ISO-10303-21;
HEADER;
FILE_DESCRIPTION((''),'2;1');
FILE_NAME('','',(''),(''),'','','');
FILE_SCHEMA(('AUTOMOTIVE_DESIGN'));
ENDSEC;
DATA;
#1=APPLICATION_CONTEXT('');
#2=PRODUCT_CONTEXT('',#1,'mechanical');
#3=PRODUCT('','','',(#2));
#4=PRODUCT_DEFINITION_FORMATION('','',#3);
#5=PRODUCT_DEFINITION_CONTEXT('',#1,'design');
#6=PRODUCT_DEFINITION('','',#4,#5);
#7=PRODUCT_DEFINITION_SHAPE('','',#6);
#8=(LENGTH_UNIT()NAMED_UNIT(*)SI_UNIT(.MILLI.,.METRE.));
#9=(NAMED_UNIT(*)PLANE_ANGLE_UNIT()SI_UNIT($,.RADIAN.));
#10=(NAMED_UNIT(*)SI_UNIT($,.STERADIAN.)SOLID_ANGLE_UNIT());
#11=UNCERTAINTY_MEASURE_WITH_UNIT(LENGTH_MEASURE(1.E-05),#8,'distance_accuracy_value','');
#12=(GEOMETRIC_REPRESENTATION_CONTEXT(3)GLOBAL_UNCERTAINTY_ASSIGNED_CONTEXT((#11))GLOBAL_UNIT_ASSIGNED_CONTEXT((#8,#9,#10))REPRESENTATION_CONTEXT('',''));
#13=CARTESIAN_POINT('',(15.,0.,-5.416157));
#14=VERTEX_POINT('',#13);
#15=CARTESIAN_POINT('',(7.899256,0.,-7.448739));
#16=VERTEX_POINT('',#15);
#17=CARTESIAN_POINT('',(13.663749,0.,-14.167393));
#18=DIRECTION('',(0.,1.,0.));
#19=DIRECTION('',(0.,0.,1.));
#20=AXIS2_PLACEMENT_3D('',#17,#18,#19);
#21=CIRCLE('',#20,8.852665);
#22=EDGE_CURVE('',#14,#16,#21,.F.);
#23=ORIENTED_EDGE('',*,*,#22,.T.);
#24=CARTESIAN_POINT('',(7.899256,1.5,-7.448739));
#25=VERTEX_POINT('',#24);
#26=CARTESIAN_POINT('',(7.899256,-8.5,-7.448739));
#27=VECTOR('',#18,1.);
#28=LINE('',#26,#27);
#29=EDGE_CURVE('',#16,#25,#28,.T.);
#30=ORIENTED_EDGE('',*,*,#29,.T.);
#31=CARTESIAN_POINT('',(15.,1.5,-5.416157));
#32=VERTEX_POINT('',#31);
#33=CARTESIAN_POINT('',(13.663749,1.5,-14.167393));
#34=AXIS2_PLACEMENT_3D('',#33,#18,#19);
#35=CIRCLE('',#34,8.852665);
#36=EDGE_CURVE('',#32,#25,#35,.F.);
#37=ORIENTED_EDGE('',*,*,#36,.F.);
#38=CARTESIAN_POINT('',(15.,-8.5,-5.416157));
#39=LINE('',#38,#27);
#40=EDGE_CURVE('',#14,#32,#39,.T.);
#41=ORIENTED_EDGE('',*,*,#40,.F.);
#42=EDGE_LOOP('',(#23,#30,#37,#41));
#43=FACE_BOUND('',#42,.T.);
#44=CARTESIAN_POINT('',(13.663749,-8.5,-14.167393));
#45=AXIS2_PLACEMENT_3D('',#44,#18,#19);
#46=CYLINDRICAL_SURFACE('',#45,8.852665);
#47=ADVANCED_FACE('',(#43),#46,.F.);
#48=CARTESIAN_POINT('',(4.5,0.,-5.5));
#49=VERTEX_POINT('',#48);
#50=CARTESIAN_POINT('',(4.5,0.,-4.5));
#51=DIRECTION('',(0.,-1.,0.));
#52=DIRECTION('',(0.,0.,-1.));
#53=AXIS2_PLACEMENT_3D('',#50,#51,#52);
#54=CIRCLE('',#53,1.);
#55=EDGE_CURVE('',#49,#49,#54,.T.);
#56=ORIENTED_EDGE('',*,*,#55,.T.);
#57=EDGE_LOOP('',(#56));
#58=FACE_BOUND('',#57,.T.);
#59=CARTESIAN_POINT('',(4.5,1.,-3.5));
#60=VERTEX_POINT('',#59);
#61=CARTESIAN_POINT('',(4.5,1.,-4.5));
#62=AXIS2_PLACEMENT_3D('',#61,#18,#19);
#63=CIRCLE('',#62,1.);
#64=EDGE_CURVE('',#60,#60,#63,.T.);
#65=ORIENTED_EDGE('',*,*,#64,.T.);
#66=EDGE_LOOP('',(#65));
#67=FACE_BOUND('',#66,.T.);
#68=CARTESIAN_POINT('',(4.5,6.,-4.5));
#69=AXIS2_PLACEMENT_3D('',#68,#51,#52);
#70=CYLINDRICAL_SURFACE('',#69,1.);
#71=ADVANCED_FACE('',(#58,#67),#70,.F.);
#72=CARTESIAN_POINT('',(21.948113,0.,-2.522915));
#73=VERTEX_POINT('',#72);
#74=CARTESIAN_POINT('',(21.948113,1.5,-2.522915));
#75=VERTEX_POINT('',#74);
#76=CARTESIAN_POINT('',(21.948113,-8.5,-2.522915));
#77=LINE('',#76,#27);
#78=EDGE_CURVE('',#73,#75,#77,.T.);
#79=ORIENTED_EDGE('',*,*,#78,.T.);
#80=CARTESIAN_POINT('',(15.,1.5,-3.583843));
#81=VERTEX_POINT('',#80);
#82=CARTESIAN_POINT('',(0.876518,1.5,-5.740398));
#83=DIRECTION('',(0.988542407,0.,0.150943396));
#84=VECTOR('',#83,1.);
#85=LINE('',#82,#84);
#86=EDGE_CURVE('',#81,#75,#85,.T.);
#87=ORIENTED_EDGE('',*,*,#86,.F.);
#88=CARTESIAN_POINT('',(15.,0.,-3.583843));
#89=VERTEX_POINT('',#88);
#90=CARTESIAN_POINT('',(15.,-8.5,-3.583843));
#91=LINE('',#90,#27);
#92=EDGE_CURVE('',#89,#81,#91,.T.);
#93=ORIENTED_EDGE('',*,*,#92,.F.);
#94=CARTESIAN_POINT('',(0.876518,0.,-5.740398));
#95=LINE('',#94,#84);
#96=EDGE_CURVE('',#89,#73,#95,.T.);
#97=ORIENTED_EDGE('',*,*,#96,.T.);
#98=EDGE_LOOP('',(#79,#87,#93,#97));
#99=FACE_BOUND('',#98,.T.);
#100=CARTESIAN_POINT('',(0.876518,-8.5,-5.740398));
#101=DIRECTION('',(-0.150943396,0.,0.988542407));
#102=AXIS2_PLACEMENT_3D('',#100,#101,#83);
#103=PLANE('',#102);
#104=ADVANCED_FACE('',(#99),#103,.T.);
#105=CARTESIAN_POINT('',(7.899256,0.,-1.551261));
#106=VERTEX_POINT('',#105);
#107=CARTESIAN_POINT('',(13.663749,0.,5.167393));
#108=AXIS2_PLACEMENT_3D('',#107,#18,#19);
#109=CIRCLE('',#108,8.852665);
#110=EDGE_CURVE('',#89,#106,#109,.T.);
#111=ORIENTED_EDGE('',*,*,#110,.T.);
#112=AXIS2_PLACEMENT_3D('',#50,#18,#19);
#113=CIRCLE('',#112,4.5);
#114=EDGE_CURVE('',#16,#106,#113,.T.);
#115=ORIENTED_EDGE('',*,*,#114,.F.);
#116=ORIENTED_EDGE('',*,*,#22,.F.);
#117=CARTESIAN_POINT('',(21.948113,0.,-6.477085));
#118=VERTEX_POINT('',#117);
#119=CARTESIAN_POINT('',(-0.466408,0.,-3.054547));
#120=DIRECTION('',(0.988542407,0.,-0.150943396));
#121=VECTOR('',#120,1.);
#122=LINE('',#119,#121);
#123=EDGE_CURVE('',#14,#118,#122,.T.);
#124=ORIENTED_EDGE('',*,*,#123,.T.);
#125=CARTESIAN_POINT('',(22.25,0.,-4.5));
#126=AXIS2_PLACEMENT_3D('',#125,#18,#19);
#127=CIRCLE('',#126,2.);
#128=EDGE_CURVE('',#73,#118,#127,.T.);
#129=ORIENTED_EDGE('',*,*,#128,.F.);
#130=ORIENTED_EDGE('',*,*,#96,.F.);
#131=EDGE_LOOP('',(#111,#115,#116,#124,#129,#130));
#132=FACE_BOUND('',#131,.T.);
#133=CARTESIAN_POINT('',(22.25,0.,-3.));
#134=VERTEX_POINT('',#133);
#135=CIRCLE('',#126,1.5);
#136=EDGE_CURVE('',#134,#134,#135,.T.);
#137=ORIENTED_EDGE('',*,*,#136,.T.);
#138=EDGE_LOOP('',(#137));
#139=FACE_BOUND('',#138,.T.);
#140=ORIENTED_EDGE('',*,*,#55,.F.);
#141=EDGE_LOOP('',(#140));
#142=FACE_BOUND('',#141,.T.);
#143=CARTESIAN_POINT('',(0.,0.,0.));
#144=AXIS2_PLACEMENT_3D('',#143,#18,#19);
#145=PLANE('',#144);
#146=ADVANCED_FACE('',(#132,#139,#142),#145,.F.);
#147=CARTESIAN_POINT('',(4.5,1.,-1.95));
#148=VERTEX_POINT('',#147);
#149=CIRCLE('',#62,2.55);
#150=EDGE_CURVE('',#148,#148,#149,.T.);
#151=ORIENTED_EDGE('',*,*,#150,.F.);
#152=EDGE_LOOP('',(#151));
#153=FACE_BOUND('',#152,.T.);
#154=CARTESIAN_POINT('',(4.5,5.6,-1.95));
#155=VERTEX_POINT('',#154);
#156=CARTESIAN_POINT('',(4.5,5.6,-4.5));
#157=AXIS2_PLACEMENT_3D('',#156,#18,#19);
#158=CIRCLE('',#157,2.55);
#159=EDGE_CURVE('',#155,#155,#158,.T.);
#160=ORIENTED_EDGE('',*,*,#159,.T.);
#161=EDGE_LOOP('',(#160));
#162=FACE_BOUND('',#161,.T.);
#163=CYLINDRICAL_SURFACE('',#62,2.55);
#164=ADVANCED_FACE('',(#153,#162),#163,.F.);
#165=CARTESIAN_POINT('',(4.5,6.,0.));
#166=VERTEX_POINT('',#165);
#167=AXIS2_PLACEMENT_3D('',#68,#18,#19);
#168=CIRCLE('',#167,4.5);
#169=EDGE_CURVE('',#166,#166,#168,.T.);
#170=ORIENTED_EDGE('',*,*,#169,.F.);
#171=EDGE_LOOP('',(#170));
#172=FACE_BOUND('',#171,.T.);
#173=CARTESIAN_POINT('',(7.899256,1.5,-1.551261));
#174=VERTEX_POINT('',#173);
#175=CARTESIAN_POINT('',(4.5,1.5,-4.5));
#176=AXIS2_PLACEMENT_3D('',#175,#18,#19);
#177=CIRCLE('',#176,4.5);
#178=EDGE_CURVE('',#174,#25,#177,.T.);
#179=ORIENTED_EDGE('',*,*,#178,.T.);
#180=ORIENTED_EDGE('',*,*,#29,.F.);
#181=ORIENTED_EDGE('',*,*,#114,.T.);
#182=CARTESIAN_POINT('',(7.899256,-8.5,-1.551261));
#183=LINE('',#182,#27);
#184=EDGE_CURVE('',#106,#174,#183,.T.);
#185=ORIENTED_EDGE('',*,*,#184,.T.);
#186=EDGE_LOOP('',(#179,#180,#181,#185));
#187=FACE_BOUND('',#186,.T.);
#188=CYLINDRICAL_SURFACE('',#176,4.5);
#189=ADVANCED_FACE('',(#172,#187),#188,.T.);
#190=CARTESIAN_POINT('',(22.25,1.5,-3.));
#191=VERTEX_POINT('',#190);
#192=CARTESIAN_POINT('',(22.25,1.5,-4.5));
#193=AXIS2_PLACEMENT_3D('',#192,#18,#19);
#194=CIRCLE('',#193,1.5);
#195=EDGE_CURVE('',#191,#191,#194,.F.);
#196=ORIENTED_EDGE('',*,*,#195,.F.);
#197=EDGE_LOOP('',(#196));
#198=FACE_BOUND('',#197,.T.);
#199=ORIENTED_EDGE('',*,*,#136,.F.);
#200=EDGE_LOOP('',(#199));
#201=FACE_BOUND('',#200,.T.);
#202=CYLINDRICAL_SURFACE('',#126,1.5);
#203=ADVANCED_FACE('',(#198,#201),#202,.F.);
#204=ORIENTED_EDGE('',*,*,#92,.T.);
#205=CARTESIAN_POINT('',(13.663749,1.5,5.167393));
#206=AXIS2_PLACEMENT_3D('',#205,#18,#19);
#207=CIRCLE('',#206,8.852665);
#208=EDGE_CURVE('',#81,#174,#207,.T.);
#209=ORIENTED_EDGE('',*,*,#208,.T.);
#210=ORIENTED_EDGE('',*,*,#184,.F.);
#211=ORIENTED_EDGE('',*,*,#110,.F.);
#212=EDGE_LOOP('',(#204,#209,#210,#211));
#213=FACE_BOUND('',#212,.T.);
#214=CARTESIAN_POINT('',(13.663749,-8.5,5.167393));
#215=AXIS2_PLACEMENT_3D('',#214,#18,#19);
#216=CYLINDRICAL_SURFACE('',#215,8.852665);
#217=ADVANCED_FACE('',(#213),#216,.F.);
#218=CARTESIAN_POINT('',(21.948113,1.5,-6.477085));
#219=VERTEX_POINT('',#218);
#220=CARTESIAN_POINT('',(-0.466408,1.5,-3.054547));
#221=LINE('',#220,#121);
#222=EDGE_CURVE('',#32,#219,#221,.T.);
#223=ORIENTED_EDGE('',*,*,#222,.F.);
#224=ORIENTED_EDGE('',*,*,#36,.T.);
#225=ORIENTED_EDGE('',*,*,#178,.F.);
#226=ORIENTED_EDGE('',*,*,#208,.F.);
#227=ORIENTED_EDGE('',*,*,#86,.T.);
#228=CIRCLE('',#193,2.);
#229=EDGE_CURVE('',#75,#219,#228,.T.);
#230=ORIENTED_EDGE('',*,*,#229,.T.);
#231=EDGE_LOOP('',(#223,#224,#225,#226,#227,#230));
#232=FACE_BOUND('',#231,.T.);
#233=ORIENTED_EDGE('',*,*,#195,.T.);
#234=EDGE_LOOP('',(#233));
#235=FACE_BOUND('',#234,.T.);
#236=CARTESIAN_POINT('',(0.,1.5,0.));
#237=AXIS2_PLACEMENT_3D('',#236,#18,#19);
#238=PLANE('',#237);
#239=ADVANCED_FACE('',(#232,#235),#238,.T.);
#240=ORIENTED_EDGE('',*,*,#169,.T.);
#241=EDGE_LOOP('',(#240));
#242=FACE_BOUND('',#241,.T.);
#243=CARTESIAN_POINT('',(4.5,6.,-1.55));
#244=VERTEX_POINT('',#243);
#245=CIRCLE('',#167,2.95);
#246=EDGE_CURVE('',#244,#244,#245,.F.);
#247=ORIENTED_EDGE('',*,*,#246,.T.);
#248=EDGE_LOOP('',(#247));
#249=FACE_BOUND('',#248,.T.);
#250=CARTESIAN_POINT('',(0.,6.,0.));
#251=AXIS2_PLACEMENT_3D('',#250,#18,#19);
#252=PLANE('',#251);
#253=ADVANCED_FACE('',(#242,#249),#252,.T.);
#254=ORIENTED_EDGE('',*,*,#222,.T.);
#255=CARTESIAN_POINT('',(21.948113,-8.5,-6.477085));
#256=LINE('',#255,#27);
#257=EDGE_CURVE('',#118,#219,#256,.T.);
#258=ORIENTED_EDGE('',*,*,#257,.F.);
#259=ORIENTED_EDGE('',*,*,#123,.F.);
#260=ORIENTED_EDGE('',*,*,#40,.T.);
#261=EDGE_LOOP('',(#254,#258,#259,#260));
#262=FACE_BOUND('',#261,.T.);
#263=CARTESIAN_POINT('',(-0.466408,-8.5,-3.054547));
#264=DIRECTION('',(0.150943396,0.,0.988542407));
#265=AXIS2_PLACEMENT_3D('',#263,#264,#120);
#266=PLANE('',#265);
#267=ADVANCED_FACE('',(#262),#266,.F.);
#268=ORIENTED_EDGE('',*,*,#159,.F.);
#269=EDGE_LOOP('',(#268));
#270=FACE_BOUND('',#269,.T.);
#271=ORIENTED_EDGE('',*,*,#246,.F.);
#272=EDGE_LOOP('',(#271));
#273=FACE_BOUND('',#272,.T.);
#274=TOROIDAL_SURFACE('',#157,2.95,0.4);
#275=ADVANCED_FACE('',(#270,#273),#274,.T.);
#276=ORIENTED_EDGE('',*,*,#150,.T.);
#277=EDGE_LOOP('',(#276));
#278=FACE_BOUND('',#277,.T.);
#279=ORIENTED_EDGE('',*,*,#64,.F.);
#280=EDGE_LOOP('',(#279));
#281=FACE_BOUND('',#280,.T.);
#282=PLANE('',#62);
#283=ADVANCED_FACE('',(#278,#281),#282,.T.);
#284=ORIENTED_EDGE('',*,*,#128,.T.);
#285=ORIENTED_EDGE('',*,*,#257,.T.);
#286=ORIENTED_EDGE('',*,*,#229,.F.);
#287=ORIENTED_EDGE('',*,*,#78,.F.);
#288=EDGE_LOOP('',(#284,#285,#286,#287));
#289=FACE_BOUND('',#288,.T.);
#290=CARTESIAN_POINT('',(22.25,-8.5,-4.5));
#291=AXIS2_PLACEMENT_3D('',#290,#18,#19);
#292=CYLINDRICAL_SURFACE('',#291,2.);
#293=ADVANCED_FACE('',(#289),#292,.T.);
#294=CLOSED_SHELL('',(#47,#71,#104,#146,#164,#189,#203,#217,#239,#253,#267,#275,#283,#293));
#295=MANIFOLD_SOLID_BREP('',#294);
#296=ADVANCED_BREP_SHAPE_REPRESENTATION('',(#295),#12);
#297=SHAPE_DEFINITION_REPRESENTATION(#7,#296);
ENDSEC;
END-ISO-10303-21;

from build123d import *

# Parameters (mm, degrees)
SKETCH2_W               = 25
SKETCH2_H               = 9
BOSS_EXTRUDE3_DEPTH     = 6
SKETCH3_R               = 2.55
CUT_EXTRUDE1_DEPTH      = 5
CUT_EXTRUDE2_DEPTH      = 28.239676944
CUT_EXTRUDE2_DEPTH_BACK = 28.239676944
SKETCH4_R               = 1.5
SKETCH5_R               = 1.5
CUT_EXTRUDE3_DEPTH      = 4.5
CUT_EXTRUDE4_DEPTH      = 28.239676944
FILLET2_R               = 0.4
SKETCH8_R               = 1
CUT_EXTRUDE5_DEPTH      = 28.239676944
CUT_EXTRUDE7_DEPTH      = 10


with BuildPart() as part:
    # Sketch2 → Boss-Extrude3 (new body)
    with BuildSketch(Plane(origin=(0, 0, 0), x_dir=(1, 0, 0), z_dir=(0, 1, 0))):
        with Locations((12.5, 4.5)):
            Rectangle(SKETCH2_W, SKETCH2_H)
    extrude(amount=BOSS_EXTRUDE3_DEPTH)

    # Sketch3 → Cut-Extrude1 (cut)
    with BuildSketch(Plane(origin=(0, 6, 0), x_dir=(1, 0, 0), z_dir=(0, 1, 0))):
        with Locations(Location((4.5, 4.5, 0), (0, 0, 270))):
            Circle(SKETCH3_R)
    extrude(amount=-CUT_EXTRUDE1_DEPTH, mode=Mode.SUBTRACT)

    # Sketch4 → Cut-Extrude2 (cut, two sides: drawn at the far end of the back side and taken through both)
    with BuildSketch(Plane(origin=(0, 6, 0), x_dir=(1, 0, 0), z_dir=(0, 1, 0)).offset(-CUT_EXTRUDE2_DEPTH_BACK)):
        with Locations(Location((22.25, 4.5, 0), (0, 0, 270))):
            Circle(SKETCH4_R)
    extrude(amount=CUT_EXTRUDE2_DEPTH + CUT_EXTRUDE2_DEPTH_BACK, mode=Mode.SUBTRACT)

    # Sketch5 → Cut-Extrude3 (cut)
    with BuildSketch(Plane(origin=(0, 6, 0), x_dir=(1, 0, 0), z_dir=(0, 1, 0))):
        with BuildLine():
            Line((25, 9), (4.5, 9))
            ThreePointArc((4.5, 9), (7.681980515, 7.681980515), (9, 4.5))
            ThreePointArc((9, 4.5), (7.681980515, 1.318019485), (4.5, 0))
            Line((4.5, 0), (25, 0))
            Line((25, 0), (25, 9))
        make_face()
        with Locations(Location((22.25, 4.5, 0), (0, 0, 270))):
            Circle(SKETCH5_R, mode=Mode.SUBTRACT)
    extrude(amount=-CUT_EXTRUDE3_DEPTH, mode=Mode.SUBTRACT)

    # Sketch6 → Cut-Extrude4 (cut, through all)
    with BuildSketch(Plane(origin=(0, 6, 0), x_dir=(1, 0, 0), z_dir=(0, 1, 0))):
        with BuildLine():
            ThreePointArc((0, 4.5), (1.318019485, 7.681980515), (4.5, 9))
            Line((4.5, 9), (0, 9))
            Line((0, 9), (0, 4.5))
        make_face()
        with BuildLine():
            ThreePointArc((4.5, 0), (1.318019485, 1.318019485), (0, 4.5))
            Line((0, 4.5), (0, 0))
            Line((0, 0), (4.5, 0))
        make_face()
    extrude(amount=-CUT_EXTRUDE4_DEPTH, mode=Mode.SUBTRACT)

    # Fillet2
    fillet2_edges = [part.edges().sort_by_distance(p)[0] for p in [
        (4.5, 6, -7.05),
    ]]
    fillet(fillet2_edges, radius=FILLET2_R)

    # Sketch8 → Cut-Extrude5 (cut, through all)
    with BuildSketch(Plane.XZ):
        with Locations(Location((4.5, -4.5, 0), (0, 0, 270))):
            Circle(SKETCH8_R)
    extrude(amount=-CUT_EXTRUDE5_DEPTH, mode=Mode.SUBTRACT)

    # Sketch9 → Cut-Extrude7 (cut)
    with BuildSketch(Plane(origin=(0, 1.5, 0), x_dir=(1, 0, 0), z_dir=(0, 1, 0))):
        with BuildLine():
            Line((25, 9), (4.5, 9))
            ThreePointArc((4.5, 9), (6.368244423, 8.593856712), (7.899255542, 7.448739011))
            ThreePointArc((7.899255542, 7.448739011), (11.227526502, 5.656546092), (15, 5.416157335))
            Line((15, 5.416157335), (21.94811323, 6.477084818))
            ThreePointArc((21.94811323, 6.477084818), (24.25, 4.499999978), (21.948113186, 2.522915189))
            Line((21.948113186, 2.522915189), (15, 3.583842665))
            ThreePointArc((15, 3.583842665), (11.227526502, 3.343453908), (7.899255542, 1.551260989))
            ThreePointArc((7.899255542, 1.551260989), (6.368244423, 0.406143288), (4.5, 0))
            Line((4.5, 0), (25, 0))
            Line((25, 0), (25, 9))
        make_face()
    extrude(amount=-CUT_EXTRUDE7_DEPTH, mode=Mode.SUBTRACT)


solid = part.part
